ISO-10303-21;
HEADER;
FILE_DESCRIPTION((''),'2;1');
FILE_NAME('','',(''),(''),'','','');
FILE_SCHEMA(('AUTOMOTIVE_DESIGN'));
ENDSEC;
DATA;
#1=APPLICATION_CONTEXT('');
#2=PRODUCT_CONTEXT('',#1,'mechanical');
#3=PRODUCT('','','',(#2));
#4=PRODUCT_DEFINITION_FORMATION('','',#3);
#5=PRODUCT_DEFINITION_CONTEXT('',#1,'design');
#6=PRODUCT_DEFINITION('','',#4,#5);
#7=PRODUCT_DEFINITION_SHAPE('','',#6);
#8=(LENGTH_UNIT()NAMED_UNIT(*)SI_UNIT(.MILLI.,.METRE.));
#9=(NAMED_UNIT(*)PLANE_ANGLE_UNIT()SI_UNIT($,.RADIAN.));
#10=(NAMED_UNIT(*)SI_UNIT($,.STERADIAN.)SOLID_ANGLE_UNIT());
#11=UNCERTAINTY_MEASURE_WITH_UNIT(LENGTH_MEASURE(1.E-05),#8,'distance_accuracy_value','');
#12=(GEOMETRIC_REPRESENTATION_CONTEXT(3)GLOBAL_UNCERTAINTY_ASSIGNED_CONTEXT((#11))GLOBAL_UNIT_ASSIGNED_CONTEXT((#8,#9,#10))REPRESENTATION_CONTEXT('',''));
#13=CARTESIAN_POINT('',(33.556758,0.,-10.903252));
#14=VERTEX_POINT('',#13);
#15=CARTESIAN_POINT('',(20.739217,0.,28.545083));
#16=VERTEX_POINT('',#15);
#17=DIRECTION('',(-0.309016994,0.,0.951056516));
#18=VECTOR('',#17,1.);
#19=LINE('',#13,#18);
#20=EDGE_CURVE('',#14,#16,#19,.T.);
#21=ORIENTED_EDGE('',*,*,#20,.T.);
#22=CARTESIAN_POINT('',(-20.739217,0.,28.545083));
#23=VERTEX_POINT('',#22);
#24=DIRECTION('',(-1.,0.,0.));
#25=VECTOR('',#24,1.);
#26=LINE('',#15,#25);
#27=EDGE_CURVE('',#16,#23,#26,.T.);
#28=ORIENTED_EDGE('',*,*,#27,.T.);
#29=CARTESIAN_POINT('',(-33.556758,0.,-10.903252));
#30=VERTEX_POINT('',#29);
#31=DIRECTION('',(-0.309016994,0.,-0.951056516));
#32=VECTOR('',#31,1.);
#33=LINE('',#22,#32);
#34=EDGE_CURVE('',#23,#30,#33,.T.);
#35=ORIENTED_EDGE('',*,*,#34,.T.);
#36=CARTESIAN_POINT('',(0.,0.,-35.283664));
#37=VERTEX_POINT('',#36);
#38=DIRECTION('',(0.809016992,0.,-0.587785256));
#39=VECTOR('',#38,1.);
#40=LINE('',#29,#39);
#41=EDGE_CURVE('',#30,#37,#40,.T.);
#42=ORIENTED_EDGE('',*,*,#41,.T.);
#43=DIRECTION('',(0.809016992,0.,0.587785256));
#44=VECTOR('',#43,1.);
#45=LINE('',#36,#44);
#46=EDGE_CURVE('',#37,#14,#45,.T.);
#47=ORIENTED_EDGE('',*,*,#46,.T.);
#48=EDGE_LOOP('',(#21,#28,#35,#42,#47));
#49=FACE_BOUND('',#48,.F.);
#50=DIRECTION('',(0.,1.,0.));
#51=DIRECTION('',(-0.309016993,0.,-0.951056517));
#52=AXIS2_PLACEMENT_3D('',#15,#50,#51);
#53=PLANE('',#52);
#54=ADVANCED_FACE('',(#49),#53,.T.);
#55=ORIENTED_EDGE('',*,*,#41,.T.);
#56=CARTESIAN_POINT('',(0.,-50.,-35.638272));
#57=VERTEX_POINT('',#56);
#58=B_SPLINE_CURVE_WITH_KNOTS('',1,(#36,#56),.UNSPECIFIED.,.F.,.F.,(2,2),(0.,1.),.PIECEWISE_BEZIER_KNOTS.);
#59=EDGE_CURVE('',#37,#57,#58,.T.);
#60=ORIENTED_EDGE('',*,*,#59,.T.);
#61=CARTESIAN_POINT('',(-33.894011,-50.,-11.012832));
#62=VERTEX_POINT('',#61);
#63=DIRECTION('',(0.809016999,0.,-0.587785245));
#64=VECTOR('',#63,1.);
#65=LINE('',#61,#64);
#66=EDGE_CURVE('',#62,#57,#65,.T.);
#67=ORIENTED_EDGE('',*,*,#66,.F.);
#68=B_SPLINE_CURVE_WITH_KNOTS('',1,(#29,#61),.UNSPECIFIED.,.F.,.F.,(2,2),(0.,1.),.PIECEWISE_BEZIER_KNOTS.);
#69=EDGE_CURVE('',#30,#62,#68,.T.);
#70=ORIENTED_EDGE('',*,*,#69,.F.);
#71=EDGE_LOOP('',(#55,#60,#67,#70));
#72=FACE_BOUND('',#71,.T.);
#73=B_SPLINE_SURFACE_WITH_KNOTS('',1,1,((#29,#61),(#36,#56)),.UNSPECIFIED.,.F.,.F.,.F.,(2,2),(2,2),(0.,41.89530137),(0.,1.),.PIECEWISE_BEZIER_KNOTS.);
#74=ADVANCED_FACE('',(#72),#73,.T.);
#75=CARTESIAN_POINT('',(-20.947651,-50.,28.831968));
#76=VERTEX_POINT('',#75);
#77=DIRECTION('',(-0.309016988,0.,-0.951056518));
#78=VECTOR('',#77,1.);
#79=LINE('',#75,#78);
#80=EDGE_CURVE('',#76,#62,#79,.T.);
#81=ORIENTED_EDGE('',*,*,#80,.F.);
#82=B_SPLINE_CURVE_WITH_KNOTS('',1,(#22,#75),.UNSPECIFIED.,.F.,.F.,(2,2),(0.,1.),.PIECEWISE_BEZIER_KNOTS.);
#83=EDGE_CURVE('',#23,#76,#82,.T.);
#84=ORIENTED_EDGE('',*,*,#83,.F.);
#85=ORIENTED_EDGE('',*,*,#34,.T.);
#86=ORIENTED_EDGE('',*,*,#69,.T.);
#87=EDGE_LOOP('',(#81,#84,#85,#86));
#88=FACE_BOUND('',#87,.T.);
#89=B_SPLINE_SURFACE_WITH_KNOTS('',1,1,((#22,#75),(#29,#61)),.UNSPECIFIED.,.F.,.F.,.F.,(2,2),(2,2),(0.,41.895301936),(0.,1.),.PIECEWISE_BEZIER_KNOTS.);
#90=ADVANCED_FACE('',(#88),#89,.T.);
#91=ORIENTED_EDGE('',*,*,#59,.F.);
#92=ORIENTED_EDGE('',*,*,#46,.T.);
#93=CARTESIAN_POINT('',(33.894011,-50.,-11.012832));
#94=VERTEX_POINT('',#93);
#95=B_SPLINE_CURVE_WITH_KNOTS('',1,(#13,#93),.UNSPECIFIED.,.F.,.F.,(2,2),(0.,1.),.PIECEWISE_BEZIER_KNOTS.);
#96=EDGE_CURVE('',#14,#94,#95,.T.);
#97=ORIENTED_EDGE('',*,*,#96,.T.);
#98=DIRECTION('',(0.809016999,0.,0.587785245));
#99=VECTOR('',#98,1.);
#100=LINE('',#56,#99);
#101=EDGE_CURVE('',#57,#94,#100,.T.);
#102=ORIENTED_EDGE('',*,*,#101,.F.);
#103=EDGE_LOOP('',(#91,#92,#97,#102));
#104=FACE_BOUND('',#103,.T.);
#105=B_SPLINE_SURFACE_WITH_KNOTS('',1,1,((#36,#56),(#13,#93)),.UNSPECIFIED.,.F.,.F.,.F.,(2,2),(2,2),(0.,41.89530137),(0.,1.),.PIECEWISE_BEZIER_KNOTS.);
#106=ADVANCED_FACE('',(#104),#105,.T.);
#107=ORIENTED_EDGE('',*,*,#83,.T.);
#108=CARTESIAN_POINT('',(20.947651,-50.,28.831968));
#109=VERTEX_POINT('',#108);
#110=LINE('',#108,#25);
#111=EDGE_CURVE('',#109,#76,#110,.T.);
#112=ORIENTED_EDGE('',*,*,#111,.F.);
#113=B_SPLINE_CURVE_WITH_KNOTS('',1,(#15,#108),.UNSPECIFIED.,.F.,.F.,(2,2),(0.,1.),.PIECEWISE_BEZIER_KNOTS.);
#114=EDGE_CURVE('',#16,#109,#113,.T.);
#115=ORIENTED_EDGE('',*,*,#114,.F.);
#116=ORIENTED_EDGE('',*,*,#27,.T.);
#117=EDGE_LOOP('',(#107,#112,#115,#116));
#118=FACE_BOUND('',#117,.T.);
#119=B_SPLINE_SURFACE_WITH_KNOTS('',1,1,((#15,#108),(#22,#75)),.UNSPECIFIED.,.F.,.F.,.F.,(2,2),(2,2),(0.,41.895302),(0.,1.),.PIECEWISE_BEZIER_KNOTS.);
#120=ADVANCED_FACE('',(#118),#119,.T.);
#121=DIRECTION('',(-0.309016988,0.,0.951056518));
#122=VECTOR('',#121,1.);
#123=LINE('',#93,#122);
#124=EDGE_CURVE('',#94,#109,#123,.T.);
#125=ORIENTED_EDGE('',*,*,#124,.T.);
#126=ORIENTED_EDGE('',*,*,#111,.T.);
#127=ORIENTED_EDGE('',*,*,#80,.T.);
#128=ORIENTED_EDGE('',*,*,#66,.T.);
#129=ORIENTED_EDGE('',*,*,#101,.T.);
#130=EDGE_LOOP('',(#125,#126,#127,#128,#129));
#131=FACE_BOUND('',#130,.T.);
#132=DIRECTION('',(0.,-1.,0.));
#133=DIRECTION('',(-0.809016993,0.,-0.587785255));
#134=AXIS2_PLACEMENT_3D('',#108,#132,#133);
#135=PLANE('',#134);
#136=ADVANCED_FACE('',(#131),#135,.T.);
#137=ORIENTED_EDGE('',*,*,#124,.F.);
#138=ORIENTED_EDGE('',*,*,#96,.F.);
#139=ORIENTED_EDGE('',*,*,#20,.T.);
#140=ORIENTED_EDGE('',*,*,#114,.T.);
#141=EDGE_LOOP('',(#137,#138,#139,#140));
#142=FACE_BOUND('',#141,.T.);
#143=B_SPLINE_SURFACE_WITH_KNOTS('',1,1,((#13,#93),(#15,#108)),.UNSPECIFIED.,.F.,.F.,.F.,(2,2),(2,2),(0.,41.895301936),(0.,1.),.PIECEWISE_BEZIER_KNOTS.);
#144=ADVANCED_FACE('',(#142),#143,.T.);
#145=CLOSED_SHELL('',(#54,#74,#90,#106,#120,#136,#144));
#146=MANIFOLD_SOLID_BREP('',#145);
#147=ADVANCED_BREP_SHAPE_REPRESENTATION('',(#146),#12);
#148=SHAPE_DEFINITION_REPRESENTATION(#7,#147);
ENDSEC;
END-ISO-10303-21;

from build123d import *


with BuildPart() as f3:
    # F0 (on Front) → F3 section 0
    with BuildSketch(Plane.XZ):
        Polygon((20.739217, 28.545083), (-20.739217, 28.545083), (-33.556758, -10.903252), (0, -35.283664), (33.556758, -10.903252), align=None)
    # F2 (on offset) → F3 section 1
    with BuildSketch(Plane.XZ.offset(50)):
        Polygon((20.947651, 28.831968), (-20.947651, 28.831968), (-33.894011, -11.012832), (0, -35.638272), (33.894011, -11.012832), align=None)
    loft()


solid = f3.part
